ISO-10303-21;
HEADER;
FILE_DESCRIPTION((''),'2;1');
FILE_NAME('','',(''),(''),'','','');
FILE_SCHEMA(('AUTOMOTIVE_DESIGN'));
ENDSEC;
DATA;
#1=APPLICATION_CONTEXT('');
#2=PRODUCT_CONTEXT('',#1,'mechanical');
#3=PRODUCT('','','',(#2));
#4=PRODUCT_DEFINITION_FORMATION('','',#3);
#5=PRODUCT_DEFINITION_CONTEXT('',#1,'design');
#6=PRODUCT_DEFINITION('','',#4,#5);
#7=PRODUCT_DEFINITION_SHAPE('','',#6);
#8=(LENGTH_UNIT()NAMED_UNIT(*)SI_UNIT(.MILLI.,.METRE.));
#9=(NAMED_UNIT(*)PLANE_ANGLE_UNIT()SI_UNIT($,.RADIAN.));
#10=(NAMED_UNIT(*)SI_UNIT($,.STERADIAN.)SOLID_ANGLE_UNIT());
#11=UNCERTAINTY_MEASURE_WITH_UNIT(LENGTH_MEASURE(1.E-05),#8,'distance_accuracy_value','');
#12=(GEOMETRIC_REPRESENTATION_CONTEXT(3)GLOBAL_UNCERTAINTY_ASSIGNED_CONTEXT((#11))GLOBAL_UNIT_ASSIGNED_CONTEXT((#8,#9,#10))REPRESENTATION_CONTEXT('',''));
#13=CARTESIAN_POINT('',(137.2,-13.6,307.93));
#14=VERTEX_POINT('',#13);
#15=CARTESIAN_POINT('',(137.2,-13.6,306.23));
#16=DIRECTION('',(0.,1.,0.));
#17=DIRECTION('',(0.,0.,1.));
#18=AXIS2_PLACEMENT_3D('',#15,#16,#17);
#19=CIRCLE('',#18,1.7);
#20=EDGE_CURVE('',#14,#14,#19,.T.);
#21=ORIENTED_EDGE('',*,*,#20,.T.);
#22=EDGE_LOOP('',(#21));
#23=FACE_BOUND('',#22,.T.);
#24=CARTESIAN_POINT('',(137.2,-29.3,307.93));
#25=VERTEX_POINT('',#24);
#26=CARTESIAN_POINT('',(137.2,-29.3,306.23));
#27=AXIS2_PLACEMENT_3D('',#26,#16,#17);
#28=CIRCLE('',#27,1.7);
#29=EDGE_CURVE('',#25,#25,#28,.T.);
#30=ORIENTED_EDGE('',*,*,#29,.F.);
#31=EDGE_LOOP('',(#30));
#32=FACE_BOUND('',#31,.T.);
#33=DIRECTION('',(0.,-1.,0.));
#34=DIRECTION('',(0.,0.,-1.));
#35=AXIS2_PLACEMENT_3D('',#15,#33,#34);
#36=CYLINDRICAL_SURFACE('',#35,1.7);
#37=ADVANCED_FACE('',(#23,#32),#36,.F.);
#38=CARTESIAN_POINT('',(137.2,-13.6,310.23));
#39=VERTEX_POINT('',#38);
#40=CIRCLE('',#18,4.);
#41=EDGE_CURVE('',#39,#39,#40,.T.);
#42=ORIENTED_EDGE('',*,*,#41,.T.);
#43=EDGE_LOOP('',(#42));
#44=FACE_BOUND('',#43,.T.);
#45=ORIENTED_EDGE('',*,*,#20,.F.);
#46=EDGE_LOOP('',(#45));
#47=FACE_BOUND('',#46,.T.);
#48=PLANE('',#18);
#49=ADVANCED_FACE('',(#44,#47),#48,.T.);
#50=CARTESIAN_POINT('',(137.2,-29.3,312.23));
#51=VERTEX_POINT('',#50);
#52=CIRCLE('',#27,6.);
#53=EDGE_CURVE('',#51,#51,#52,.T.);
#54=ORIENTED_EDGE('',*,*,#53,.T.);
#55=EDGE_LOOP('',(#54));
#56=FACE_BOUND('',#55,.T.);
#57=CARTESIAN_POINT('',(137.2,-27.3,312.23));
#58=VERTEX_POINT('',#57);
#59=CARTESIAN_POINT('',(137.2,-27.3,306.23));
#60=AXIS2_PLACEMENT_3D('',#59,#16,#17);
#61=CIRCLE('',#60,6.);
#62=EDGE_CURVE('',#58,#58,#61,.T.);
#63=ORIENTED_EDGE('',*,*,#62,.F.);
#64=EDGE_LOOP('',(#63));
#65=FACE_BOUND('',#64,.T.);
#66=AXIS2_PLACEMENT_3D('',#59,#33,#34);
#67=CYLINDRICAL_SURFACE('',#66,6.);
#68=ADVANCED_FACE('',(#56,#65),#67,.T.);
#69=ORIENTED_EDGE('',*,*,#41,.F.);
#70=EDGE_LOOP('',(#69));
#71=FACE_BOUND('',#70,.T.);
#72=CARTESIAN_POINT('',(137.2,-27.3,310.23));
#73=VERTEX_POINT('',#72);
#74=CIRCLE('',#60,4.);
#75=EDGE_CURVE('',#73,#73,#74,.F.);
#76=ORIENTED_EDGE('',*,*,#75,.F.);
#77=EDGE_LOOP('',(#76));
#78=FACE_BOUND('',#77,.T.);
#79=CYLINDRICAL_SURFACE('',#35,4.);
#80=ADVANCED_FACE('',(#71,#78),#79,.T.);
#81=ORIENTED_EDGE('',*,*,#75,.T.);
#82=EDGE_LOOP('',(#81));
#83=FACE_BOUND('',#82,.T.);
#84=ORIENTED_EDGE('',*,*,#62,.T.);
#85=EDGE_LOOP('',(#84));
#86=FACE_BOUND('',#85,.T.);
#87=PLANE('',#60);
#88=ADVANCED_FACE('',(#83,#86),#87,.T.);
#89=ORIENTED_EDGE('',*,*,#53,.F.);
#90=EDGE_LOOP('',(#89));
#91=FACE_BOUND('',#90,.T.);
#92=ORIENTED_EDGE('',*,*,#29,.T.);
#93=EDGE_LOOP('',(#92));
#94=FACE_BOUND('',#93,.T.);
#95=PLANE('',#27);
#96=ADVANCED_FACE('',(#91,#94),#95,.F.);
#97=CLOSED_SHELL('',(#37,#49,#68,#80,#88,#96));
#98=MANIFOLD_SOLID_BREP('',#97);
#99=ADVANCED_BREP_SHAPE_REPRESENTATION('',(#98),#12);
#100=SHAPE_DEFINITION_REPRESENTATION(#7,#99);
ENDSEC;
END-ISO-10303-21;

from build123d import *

# Parameters (mm, degrees)
SKETCH1_R           = 6
BOSS_EXTRUDE1_DEPTH = 2
SKETCH2_R           = 4
BOSS_EXTRUDE2_DEPTH = 15.7
SKETCH3_R           = 1.7
CUT_EXTRUDE1_DEPTH  = 344.860877245


with BuildPart() as part:
    # Sketch1 → Boss-Extrude1 (new body)
    with BuildSketch(Plane(origin=(0, -29.3, 0), x_dir=(1, 0, 0), z_dir=(0, 1, 0))):
        with Locations(Location((137.2, -306.23, 0), (0, 0, 270))):
            Circle(SKETCH1_R)
    extrude(amount=BOSS_EXTRUDE1_DEPTH)

    # Sketch2 → Boss-Extrude2 (add)
    with BuildSketch(Plane(origin=(0, -29.3, 0), x_dir=(1, 0, 0), z_dir=(0, 1, 0))):
        with Locations(Location((137.2, -306.23, 0), (0, 0, 270))):
            Circle(SKETCH2_R)
    extrude(amount=BOSS_EXTRUDE2_DEPTH)

    # Sketch3 → Cut-Extrude1 (cut, through all)
    with BuildSketch(Plane(origin=(0, -29.3, 0), x_dir=(1, 0, 0), z_dir=(0, 1, 0))):
        with Locations(Location((137.2, -306.23, 0), (0, 0, 270))):
            Circle(SKETCH3_R)
    extrude(amount=CUT_EXTRUDE1_DEPTH, mode=Mode.SUBTRACT)


solid = part.part
